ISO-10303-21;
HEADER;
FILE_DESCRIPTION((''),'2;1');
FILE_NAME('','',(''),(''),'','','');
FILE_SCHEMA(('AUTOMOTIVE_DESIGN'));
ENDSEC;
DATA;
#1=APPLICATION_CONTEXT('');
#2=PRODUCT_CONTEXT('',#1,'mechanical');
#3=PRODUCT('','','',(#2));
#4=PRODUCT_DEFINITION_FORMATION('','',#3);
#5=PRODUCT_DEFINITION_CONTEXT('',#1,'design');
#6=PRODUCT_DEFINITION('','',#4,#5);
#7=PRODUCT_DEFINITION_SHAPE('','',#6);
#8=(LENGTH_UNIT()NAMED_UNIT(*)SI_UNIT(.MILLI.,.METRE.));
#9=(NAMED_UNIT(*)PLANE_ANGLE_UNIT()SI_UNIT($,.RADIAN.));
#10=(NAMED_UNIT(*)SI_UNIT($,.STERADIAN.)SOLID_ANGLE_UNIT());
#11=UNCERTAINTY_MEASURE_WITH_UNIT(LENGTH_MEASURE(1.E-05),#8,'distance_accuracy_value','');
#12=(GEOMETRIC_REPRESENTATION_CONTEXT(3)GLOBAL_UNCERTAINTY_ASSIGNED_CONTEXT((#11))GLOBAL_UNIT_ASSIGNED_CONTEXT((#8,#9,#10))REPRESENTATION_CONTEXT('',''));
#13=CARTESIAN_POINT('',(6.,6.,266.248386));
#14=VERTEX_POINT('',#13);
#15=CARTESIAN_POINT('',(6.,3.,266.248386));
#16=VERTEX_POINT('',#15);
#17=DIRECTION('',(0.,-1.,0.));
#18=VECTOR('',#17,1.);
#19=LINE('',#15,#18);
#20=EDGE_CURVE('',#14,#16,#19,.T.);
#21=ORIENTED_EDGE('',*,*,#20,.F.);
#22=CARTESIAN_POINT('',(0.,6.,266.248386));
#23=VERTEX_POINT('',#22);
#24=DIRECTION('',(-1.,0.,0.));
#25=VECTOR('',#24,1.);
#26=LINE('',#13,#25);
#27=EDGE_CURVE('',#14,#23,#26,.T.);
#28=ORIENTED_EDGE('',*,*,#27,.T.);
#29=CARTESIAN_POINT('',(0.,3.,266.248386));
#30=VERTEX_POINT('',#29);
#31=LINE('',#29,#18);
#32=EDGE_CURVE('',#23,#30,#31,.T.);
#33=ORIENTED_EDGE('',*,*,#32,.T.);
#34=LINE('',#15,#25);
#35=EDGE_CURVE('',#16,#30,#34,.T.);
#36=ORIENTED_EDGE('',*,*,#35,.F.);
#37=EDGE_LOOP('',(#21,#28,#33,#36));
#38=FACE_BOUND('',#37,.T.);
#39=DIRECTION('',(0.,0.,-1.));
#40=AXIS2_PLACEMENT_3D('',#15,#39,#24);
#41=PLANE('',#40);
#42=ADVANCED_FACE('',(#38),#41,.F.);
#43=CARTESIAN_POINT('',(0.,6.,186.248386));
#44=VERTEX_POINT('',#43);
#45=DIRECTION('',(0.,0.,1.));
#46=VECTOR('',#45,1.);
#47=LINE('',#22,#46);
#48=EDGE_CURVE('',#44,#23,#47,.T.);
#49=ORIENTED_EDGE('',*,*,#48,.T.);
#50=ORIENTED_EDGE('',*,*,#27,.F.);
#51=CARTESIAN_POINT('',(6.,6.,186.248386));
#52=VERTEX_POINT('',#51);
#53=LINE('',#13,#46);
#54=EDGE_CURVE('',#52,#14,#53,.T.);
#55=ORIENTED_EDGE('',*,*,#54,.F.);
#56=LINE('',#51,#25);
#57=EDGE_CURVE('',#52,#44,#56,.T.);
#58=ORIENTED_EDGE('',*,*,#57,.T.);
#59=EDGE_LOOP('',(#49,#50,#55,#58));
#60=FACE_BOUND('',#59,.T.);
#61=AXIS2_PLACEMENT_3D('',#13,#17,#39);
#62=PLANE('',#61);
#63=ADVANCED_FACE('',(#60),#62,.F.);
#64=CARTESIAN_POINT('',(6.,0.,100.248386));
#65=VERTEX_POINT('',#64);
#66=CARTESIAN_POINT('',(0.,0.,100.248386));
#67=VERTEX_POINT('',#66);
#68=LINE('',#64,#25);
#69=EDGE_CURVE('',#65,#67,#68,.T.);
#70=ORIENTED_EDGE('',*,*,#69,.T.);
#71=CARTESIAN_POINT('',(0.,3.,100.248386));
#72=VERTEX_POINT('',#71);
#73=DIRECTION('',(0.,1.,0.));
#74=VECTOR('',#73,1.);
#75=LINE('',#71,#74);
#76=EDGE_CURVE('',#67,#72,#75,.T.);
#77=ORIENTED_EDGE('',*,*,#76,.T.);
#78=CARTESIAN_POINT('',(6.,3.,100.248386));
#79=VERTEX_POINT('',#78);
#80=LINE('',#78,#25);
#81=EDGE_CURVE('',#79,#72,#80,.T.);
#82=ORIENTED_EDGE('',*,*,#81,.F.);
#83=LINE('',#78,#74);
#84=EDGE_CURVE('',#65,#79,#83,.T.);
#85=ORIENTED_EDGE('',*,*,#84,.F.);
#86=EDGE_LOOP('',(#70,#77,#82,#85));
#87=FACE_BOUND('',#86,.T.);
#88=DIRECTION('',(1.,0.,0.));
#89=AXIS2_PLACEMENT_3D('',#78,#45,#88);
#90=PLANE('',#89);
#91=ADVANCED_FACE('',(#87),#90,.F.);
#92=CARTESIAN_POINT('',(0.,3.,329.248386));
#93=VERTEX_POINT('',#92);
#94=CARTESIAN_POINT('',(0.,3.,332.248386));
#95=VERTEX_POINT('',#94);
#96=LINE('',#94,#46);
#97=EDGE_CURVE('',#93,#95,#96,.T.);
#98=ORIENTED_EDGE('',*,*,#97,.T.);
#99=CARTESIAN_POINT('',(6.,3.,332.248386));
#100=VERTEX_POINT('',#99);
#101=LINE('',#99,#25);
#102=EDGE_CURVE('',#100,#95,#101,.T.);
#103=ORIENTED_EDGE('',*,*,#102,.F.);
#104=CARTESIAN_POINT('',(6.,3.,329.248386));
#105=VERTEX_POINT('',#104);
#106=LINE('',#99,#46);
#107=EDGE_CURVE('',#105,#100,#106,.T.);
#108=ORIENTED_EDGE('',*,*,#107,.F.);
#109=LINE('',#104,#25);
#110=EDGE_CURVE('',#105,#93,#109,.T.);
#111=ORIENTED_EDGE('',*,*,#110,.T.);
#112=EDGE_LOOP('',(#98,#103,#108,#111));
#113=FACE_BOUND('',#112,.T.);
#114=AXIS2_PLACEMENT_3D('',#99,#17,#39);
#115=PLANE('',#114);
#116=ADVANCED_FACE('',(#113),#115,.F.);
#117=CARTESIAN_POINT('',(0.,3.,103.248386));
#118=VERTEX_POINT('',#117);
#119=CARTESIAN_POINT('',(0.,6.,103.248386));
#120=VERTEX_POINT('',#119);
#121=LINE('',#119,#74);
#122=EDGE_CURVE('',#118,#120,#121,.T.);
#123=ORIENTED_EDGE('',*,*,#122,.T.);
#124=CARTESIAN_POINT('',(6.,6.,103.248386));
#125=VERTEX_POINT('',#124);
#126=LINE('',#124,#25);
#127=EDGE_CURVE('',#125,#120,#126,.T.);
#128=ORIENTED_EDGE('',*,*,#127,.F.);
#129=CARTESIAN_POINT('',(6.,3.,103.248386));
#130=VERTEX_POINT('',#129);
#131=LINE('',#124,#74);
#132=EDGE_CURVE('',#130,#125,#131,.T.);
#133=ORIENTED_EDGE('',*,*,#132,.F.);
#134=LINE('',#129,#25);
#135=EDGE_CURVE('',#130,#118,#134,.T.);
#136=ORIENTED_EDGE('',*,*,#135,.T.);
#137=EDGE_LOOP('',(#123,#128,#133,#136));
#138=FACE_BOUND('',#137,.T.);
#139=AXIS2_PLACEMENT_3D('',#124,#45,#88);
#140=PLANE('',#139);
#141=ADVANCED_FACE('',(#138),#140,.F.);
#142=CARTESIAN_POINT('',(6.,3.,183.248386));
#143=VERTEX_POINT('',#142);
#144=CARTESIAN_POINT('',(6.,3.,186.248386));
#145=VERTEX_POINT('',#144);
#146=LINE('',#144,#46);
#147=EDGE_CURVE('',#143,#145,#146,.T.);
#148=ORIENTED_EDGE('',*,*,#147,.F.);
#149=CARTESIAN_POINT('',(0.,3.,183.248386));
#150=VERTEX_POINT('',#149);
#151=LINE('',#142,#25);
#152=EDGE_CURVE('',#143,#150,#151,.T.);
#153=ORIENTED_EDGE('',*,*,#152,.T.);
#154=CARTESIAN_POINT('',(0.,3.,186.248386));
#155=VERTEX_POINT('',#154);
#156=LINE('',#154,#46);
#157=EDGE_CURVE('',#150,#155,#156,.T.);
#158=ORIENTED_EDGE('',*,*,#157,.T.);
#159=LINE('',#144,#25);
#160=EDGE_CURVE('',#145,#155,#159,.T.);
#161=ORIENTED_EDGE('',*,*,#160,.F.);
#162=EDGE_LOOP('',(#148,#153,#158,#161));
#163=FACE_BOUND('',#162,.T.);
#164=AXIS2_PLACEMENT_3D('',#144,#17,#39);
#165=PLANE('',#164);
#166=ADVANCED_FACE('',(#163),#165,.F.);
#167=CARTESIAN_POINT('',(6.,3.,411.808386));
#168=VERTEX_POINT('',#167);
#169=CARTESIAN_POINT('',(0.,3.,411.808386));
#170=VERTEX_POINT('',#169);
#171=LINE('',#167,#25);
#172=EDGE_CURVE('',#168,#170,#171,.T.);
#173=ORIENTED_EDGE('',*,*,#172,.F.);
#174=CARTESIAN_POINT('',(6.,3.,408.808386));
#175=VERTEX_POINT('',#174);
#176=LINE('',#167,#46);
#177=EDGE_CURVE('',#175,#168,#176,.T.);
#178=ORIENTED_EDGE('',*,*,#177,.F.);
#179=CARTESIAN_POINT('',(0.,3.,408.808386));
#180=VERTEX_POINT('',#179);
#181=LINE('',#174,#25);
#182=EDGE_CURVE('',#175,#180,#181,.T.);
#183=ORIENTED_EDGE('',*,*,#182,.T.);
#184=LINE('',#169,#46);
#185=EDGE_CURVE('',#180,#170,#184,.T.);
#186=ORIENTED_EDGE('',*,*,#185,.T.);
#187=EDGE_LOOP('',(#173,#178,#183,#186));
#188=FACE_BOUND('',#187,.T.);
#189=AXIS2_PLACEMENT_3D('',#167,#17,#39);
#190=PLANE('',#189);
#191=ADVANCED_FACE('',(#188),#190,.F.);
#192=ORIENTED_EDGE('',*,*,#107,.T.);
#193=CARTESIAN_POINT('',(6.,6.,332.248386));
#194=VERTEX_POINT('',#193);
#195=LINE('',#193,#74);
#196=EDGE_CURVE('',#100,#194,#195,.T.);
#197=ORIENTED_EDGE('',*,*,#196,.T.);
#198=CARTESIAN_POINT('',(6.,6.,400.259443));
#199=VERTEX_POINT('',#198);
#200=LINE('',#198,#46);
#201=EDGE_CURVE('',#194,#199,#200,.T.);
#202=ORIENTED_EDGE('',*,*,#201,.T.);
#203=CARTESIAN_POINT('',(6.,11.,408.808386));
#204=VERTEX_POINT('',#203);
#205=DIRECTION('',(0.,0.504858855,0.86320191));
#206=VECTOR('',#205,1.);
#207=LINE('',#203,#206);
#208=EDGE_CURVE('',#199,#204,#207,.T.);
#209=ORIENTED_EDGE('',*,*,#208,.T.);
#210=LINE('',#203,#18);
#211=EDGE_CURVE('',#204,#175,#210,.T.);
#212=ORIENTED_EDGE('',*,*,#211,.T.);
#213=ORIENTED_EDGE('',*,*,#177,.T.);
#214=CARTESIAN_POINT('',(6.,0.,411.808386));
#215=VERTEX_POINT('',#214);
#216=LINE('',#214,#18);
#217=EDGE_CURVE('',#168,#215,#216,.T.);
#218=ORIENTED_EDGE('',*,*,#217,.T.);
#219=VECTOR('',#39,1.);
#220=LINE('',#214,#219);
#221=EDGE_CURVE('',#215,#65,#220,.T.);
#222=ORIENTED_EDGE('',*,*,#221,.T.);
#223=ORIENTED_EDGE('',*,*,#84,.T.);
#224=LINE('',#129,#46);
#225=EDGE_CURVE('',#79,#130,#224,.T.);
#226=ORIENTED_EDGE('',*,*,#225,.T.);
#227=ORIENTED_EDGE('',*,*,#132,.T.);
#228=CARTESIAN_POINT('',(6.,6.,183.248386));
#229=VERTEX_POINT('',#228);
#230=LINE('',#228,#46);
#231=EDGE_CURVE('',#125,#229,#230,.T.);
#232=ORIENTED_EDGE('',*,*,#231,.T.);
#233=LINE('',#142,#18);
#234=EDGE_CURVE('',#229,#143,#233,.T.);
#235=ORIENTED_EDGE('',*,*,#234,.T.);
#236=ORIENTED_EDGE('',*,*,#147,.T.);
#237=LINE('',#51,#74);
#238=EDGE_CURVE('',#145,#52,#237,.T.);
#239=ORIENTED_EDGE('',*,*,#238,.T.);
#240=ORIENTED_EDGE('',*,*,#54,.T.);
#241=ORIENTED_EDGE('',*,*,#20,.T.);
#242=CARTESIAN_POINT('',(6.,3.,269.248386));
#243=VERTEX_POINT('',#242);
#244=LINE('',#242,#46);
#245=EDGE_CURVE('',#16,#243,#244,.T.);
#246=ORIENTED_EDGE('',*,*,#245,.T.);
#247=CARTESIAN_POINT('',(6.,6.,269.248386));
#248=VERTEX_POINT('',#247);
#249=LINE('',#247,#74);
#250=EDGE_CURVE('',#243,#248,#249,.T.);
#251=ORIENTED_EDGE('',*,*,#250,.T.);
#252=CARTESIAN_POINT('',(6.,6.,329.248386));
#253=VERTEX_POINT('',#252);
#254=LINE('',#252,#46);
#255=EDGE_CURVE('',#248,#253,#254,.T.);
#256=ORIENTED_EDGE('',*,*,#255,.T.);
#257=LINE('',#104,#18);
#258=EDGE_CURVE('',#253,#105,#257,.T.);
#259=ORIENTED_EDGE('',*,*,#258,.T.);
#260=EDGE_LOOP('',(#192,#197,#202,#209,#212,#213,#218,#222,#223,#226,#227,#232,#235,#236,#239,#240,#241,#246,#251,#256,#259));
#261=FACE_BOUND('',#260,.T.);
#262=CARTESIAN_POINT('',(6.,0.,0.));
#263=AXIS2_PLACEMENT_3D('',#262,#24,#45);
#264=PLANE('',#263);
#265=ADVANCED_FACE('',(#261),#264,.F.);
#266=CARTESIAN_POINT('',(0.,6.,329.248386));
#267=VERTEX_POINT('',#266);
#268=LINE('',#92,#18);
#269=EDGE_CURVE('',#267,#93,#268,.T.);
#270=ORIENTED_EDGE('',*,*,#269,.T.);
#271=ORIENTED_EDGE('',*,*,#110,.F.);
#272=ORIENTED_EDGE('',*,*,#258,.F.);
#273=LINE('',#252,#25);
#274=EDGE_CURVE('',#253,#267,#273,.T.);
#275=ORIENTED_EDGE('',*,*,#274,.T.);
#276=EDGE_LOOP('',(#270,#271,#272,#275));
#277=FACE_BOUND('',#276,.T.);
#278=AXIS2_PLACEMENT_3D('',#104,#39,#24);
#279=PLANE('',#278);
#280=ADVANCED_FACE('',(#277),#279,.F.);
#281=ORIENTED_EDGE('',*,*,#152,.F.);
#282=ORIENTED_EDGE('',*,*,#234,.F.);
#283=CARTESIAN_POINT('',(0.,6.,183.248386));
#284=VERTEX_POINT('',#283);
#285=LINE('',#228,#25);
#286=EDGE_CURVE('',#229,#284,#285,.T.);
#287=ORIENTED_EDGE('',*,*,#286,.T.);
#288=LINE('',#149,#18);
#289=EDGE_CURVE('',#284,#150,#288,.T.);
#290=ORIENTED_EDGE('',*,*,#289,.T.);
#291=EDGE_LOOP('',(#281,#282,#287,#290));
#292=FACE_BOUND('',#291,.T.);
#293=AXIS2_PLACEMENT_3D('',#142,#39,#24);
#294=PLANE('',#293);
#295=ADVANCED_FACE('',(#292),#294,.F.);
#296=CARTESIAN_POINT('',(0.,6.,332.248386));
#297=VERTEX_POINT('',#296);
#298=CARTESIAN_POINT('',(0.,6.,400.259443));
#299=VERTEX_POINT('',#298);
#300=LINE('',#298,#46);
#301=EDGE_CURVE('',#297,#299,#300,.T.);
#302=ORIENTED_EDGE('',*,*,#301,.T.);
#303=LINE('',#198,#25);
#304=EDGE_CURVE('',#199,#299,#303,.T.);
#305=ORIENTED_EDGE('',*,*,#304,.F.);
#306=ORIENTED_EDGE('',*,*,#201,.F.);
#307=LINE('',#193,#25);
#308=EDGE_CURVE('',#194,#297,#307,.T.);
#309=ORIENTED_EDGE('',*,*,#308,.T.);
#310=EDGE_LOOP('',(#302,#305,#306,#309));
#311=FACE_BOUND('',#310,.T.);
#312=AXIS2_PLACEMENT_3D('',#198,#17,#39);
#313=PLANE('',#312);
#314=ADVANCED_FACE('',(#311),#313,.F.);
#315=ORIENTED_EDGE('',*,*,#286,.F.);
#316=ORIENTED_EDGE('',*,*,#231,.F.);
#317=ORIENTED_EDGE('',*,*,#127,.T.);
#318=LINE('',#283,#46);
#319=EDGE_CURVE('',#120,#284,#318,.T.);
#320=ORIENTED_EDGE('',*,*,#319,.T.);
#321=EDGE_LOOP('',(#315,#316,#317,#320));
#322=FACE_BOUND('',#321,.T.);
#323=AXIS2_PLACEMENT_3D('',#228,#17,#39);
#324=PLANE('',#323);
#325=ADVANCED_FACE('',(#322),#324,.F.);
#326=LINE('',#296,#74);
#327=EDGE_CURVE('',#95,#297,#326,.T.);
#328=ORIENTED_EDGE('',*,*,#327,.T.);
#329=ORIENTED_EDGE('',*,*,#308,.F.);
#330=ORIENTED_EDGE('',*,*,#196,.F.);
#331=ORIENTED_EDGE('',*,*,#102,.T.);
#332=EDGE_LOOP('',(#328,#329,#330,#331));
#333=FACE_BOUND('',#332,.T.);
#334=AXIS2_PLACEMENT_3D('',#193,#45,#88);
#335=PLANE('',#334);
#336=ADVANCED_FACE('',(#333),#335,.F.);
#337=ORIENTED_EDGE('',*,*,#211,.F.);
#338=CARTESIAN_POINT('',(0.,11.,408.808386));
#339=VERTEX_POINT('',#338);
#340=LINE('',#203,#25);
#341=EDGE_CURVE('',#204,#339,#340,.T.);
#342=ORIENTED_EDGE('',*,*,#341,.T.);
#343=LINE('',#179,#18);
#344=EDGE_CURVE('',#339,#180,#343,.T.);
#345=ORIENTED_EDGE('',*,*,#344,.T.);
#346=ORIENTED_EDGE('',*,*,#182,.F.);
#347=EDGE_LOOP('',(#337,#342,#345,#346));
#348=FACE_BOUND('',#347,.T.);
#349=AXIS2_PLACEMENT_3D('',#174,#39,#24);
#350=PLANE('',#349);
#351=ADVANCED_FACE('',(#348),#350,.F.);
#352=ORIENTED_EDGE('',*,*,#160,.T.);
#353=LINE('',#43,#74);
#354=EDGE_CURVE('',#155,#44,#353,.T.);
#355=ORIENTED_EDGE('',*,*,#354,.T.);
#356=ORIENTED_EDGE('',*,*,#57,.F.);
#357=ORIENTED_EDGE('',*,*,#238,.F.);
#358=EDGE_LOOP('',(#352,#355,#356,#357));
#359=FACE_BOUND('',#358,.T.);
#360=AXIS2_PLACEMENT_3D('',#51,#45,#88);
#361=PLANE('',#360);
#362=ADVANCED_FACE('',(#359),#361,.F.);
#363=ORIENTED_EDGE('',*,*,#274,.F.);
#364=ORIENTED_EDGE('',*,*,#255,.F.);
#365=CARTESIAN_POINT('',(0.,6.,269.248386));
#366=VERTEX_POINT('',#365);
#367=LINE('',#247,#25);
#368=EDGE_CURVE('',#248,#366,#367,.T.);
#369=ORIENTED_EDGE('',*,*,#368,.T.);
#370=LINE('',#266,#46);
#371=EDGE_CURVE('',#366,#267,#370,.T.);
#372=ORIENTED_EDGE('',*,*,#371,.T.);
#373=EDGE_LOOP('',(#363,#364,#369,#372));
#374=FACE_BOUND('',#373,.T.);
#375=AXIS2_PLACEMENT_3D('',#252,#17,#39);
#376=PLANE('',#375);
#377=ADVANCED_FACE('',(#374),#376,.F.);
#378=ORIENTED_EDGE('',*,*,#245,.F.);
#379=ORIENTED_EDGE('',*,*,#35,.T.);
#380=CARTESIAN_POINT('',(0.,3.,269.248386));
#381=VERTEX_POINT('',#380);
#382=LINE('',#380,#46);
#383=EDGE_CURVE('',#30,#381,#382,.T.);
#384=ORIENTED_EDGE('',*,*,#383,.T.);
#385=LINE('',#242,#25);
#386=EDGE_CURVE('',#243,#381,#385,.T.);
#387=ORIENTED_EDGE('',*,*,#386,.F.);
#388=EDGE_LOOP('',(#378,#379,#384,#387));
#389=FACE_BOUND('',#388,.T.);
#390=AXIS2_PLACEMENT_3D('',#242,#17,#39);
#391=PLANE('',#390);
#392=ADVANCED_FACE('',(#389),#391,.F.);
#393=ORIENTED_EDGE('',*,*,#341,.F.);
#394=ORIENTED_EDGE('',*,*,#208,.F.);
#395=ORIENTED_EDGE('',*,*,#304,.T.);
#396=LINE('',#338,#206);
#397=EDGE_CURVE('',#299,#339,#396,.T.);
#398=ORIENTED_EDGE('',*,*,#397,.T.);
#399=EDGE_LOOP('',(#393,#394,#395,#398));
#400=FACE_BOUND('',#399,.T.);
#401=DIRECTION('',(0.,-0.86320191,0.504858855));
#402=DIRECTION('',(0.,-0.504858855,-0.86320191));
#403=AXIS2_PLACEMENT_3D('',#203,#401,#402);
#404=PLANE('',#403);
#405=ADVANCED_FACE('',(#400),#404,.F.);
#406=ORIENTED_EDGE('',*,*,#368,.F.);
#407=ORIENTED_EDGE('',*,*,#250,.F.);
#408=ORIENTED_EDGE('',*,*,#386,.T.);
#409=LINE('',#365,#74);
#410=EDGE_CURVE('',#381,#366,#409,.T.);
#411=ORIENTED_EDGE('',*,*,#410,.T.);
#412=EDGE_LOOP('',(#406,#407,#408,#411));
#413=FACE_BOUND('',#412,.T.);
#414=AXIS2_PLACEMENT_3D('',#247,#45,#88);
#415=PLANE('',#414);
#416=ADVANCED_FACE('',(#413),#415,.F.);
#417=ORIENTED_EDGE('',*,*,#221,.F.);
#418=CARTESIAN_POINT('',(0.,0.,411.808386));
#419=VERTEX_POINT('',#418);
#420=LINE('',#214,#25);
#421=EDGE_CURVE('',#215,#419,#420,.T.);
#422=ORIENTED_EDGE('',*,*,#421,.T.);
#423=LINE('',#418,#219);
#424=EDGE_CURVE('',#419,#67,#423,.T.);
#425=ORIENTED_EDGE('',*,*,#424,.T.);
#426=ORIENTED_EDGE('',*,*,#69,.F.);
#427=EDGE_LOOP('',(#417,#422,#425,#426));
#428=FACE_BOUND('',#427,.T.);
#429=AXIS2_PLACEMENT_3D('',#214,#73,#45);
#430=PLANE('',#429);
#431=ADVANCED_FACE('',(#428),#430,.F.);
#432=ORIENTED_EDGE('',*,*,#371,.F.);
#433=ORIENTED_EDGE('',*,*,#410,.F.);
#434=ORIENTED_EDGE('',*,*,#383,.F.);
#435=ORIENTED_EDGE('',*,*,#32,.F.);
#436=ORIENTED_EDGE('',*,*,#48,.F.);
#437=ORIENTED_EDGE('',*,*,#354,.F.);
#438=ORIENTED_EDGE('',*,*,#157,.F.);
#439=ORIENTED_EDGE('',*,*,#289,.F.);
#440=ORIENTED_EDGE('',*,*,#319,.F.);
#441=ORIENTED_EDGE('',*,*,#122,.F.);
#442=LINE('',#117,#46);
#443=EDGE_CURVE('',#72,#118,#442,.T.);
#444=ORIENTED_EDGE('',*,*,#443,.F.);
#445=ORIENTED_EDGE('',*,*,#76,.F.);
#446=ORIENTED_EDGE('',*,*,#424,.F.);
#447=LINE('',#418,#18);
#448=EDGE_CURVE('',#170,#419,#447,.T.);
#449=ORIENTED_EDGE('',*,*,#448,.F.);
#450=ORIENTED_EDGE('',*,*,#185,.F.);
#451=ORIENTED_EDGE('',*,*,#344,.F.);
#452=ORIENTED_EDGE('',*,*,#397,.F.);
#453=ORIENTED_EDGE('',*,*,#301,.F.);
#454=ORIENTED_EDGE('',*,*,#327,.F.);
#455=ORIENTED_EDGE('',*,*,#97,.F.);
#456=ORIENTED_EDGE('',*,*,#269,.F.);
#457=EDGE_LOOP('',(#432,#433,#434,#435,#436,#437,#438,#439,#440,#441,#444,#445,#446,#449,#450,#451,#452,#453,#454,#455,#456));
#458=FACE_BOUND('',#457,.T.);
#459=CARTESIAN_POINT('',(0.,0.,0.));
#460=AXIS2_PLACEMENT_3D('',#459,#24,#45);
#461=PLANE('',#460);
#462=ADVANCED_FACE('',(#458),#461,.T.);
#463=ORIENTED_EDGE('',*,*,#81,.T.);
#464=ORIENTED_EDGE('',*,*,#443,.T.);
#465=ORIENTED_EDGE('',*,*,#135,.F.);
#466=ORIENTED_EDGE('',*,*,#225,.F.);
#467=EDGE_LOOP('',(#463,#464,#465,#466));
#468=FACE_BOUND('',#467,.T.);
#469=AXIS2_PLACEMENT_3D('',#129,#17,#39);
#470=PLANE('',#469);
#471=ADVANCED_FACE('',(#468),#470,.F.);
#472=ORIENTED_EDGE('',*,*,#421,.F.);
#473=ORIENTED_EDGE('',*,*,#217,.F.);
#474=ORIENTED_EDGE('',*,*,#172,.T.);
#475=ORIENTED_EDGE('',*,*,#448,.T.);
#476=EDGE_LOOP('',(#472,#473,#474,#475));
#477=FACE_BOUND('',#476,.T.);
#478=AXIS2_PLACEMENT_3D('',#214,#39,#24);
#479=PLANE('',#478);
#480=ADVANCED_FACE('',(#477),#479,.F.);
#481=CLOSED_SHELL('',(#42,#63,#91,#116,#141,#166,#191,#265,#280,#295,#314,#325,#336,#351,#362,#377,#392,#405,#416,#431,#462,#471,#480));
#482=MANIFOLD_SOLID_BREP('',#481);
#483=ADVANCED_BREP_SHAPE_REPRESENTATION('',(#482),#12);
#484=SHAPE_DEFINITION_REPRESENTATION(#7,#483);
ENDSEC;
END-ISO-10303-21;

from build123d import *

# Parameters (mm, degrees)
EXTRUDE_1_DEPTH = 6


with BuildPart() as part:
    # Эскиз1 → Бобышка-Вытянуть1 (new body)
    with BuildSketch(Plane(origin=(0, 0, 0), x_dir=(0, 0, -1), z_dir=(1, 0, 0))):
        Polygon((-411.808386433, 0), (-100.248386433, 0), (-100.248386433, 3), (-103.248386433, 3), (-103.248386433, 6), (-183.248386433, 6), (-183.248386433, 3), (-186.248386433, 3), (-186.248386433, 6), (-266.248386433, 6), (-266.248386433, 3), (-269.248386433, 3), (-269.248386433, 6), (-329.248386433, 6), (-329.248386433, 3), (-332.248386433, 3), (-332.248386433, 6), (-400.259443479, 6), (-408.808386433, 11), (-408.808386433, 6), (-408.808386433, 3), (-411.808386433, 3), align=None)
    extrude(amount=EXTRUDE_1_DEPTH)


solid = part.part
